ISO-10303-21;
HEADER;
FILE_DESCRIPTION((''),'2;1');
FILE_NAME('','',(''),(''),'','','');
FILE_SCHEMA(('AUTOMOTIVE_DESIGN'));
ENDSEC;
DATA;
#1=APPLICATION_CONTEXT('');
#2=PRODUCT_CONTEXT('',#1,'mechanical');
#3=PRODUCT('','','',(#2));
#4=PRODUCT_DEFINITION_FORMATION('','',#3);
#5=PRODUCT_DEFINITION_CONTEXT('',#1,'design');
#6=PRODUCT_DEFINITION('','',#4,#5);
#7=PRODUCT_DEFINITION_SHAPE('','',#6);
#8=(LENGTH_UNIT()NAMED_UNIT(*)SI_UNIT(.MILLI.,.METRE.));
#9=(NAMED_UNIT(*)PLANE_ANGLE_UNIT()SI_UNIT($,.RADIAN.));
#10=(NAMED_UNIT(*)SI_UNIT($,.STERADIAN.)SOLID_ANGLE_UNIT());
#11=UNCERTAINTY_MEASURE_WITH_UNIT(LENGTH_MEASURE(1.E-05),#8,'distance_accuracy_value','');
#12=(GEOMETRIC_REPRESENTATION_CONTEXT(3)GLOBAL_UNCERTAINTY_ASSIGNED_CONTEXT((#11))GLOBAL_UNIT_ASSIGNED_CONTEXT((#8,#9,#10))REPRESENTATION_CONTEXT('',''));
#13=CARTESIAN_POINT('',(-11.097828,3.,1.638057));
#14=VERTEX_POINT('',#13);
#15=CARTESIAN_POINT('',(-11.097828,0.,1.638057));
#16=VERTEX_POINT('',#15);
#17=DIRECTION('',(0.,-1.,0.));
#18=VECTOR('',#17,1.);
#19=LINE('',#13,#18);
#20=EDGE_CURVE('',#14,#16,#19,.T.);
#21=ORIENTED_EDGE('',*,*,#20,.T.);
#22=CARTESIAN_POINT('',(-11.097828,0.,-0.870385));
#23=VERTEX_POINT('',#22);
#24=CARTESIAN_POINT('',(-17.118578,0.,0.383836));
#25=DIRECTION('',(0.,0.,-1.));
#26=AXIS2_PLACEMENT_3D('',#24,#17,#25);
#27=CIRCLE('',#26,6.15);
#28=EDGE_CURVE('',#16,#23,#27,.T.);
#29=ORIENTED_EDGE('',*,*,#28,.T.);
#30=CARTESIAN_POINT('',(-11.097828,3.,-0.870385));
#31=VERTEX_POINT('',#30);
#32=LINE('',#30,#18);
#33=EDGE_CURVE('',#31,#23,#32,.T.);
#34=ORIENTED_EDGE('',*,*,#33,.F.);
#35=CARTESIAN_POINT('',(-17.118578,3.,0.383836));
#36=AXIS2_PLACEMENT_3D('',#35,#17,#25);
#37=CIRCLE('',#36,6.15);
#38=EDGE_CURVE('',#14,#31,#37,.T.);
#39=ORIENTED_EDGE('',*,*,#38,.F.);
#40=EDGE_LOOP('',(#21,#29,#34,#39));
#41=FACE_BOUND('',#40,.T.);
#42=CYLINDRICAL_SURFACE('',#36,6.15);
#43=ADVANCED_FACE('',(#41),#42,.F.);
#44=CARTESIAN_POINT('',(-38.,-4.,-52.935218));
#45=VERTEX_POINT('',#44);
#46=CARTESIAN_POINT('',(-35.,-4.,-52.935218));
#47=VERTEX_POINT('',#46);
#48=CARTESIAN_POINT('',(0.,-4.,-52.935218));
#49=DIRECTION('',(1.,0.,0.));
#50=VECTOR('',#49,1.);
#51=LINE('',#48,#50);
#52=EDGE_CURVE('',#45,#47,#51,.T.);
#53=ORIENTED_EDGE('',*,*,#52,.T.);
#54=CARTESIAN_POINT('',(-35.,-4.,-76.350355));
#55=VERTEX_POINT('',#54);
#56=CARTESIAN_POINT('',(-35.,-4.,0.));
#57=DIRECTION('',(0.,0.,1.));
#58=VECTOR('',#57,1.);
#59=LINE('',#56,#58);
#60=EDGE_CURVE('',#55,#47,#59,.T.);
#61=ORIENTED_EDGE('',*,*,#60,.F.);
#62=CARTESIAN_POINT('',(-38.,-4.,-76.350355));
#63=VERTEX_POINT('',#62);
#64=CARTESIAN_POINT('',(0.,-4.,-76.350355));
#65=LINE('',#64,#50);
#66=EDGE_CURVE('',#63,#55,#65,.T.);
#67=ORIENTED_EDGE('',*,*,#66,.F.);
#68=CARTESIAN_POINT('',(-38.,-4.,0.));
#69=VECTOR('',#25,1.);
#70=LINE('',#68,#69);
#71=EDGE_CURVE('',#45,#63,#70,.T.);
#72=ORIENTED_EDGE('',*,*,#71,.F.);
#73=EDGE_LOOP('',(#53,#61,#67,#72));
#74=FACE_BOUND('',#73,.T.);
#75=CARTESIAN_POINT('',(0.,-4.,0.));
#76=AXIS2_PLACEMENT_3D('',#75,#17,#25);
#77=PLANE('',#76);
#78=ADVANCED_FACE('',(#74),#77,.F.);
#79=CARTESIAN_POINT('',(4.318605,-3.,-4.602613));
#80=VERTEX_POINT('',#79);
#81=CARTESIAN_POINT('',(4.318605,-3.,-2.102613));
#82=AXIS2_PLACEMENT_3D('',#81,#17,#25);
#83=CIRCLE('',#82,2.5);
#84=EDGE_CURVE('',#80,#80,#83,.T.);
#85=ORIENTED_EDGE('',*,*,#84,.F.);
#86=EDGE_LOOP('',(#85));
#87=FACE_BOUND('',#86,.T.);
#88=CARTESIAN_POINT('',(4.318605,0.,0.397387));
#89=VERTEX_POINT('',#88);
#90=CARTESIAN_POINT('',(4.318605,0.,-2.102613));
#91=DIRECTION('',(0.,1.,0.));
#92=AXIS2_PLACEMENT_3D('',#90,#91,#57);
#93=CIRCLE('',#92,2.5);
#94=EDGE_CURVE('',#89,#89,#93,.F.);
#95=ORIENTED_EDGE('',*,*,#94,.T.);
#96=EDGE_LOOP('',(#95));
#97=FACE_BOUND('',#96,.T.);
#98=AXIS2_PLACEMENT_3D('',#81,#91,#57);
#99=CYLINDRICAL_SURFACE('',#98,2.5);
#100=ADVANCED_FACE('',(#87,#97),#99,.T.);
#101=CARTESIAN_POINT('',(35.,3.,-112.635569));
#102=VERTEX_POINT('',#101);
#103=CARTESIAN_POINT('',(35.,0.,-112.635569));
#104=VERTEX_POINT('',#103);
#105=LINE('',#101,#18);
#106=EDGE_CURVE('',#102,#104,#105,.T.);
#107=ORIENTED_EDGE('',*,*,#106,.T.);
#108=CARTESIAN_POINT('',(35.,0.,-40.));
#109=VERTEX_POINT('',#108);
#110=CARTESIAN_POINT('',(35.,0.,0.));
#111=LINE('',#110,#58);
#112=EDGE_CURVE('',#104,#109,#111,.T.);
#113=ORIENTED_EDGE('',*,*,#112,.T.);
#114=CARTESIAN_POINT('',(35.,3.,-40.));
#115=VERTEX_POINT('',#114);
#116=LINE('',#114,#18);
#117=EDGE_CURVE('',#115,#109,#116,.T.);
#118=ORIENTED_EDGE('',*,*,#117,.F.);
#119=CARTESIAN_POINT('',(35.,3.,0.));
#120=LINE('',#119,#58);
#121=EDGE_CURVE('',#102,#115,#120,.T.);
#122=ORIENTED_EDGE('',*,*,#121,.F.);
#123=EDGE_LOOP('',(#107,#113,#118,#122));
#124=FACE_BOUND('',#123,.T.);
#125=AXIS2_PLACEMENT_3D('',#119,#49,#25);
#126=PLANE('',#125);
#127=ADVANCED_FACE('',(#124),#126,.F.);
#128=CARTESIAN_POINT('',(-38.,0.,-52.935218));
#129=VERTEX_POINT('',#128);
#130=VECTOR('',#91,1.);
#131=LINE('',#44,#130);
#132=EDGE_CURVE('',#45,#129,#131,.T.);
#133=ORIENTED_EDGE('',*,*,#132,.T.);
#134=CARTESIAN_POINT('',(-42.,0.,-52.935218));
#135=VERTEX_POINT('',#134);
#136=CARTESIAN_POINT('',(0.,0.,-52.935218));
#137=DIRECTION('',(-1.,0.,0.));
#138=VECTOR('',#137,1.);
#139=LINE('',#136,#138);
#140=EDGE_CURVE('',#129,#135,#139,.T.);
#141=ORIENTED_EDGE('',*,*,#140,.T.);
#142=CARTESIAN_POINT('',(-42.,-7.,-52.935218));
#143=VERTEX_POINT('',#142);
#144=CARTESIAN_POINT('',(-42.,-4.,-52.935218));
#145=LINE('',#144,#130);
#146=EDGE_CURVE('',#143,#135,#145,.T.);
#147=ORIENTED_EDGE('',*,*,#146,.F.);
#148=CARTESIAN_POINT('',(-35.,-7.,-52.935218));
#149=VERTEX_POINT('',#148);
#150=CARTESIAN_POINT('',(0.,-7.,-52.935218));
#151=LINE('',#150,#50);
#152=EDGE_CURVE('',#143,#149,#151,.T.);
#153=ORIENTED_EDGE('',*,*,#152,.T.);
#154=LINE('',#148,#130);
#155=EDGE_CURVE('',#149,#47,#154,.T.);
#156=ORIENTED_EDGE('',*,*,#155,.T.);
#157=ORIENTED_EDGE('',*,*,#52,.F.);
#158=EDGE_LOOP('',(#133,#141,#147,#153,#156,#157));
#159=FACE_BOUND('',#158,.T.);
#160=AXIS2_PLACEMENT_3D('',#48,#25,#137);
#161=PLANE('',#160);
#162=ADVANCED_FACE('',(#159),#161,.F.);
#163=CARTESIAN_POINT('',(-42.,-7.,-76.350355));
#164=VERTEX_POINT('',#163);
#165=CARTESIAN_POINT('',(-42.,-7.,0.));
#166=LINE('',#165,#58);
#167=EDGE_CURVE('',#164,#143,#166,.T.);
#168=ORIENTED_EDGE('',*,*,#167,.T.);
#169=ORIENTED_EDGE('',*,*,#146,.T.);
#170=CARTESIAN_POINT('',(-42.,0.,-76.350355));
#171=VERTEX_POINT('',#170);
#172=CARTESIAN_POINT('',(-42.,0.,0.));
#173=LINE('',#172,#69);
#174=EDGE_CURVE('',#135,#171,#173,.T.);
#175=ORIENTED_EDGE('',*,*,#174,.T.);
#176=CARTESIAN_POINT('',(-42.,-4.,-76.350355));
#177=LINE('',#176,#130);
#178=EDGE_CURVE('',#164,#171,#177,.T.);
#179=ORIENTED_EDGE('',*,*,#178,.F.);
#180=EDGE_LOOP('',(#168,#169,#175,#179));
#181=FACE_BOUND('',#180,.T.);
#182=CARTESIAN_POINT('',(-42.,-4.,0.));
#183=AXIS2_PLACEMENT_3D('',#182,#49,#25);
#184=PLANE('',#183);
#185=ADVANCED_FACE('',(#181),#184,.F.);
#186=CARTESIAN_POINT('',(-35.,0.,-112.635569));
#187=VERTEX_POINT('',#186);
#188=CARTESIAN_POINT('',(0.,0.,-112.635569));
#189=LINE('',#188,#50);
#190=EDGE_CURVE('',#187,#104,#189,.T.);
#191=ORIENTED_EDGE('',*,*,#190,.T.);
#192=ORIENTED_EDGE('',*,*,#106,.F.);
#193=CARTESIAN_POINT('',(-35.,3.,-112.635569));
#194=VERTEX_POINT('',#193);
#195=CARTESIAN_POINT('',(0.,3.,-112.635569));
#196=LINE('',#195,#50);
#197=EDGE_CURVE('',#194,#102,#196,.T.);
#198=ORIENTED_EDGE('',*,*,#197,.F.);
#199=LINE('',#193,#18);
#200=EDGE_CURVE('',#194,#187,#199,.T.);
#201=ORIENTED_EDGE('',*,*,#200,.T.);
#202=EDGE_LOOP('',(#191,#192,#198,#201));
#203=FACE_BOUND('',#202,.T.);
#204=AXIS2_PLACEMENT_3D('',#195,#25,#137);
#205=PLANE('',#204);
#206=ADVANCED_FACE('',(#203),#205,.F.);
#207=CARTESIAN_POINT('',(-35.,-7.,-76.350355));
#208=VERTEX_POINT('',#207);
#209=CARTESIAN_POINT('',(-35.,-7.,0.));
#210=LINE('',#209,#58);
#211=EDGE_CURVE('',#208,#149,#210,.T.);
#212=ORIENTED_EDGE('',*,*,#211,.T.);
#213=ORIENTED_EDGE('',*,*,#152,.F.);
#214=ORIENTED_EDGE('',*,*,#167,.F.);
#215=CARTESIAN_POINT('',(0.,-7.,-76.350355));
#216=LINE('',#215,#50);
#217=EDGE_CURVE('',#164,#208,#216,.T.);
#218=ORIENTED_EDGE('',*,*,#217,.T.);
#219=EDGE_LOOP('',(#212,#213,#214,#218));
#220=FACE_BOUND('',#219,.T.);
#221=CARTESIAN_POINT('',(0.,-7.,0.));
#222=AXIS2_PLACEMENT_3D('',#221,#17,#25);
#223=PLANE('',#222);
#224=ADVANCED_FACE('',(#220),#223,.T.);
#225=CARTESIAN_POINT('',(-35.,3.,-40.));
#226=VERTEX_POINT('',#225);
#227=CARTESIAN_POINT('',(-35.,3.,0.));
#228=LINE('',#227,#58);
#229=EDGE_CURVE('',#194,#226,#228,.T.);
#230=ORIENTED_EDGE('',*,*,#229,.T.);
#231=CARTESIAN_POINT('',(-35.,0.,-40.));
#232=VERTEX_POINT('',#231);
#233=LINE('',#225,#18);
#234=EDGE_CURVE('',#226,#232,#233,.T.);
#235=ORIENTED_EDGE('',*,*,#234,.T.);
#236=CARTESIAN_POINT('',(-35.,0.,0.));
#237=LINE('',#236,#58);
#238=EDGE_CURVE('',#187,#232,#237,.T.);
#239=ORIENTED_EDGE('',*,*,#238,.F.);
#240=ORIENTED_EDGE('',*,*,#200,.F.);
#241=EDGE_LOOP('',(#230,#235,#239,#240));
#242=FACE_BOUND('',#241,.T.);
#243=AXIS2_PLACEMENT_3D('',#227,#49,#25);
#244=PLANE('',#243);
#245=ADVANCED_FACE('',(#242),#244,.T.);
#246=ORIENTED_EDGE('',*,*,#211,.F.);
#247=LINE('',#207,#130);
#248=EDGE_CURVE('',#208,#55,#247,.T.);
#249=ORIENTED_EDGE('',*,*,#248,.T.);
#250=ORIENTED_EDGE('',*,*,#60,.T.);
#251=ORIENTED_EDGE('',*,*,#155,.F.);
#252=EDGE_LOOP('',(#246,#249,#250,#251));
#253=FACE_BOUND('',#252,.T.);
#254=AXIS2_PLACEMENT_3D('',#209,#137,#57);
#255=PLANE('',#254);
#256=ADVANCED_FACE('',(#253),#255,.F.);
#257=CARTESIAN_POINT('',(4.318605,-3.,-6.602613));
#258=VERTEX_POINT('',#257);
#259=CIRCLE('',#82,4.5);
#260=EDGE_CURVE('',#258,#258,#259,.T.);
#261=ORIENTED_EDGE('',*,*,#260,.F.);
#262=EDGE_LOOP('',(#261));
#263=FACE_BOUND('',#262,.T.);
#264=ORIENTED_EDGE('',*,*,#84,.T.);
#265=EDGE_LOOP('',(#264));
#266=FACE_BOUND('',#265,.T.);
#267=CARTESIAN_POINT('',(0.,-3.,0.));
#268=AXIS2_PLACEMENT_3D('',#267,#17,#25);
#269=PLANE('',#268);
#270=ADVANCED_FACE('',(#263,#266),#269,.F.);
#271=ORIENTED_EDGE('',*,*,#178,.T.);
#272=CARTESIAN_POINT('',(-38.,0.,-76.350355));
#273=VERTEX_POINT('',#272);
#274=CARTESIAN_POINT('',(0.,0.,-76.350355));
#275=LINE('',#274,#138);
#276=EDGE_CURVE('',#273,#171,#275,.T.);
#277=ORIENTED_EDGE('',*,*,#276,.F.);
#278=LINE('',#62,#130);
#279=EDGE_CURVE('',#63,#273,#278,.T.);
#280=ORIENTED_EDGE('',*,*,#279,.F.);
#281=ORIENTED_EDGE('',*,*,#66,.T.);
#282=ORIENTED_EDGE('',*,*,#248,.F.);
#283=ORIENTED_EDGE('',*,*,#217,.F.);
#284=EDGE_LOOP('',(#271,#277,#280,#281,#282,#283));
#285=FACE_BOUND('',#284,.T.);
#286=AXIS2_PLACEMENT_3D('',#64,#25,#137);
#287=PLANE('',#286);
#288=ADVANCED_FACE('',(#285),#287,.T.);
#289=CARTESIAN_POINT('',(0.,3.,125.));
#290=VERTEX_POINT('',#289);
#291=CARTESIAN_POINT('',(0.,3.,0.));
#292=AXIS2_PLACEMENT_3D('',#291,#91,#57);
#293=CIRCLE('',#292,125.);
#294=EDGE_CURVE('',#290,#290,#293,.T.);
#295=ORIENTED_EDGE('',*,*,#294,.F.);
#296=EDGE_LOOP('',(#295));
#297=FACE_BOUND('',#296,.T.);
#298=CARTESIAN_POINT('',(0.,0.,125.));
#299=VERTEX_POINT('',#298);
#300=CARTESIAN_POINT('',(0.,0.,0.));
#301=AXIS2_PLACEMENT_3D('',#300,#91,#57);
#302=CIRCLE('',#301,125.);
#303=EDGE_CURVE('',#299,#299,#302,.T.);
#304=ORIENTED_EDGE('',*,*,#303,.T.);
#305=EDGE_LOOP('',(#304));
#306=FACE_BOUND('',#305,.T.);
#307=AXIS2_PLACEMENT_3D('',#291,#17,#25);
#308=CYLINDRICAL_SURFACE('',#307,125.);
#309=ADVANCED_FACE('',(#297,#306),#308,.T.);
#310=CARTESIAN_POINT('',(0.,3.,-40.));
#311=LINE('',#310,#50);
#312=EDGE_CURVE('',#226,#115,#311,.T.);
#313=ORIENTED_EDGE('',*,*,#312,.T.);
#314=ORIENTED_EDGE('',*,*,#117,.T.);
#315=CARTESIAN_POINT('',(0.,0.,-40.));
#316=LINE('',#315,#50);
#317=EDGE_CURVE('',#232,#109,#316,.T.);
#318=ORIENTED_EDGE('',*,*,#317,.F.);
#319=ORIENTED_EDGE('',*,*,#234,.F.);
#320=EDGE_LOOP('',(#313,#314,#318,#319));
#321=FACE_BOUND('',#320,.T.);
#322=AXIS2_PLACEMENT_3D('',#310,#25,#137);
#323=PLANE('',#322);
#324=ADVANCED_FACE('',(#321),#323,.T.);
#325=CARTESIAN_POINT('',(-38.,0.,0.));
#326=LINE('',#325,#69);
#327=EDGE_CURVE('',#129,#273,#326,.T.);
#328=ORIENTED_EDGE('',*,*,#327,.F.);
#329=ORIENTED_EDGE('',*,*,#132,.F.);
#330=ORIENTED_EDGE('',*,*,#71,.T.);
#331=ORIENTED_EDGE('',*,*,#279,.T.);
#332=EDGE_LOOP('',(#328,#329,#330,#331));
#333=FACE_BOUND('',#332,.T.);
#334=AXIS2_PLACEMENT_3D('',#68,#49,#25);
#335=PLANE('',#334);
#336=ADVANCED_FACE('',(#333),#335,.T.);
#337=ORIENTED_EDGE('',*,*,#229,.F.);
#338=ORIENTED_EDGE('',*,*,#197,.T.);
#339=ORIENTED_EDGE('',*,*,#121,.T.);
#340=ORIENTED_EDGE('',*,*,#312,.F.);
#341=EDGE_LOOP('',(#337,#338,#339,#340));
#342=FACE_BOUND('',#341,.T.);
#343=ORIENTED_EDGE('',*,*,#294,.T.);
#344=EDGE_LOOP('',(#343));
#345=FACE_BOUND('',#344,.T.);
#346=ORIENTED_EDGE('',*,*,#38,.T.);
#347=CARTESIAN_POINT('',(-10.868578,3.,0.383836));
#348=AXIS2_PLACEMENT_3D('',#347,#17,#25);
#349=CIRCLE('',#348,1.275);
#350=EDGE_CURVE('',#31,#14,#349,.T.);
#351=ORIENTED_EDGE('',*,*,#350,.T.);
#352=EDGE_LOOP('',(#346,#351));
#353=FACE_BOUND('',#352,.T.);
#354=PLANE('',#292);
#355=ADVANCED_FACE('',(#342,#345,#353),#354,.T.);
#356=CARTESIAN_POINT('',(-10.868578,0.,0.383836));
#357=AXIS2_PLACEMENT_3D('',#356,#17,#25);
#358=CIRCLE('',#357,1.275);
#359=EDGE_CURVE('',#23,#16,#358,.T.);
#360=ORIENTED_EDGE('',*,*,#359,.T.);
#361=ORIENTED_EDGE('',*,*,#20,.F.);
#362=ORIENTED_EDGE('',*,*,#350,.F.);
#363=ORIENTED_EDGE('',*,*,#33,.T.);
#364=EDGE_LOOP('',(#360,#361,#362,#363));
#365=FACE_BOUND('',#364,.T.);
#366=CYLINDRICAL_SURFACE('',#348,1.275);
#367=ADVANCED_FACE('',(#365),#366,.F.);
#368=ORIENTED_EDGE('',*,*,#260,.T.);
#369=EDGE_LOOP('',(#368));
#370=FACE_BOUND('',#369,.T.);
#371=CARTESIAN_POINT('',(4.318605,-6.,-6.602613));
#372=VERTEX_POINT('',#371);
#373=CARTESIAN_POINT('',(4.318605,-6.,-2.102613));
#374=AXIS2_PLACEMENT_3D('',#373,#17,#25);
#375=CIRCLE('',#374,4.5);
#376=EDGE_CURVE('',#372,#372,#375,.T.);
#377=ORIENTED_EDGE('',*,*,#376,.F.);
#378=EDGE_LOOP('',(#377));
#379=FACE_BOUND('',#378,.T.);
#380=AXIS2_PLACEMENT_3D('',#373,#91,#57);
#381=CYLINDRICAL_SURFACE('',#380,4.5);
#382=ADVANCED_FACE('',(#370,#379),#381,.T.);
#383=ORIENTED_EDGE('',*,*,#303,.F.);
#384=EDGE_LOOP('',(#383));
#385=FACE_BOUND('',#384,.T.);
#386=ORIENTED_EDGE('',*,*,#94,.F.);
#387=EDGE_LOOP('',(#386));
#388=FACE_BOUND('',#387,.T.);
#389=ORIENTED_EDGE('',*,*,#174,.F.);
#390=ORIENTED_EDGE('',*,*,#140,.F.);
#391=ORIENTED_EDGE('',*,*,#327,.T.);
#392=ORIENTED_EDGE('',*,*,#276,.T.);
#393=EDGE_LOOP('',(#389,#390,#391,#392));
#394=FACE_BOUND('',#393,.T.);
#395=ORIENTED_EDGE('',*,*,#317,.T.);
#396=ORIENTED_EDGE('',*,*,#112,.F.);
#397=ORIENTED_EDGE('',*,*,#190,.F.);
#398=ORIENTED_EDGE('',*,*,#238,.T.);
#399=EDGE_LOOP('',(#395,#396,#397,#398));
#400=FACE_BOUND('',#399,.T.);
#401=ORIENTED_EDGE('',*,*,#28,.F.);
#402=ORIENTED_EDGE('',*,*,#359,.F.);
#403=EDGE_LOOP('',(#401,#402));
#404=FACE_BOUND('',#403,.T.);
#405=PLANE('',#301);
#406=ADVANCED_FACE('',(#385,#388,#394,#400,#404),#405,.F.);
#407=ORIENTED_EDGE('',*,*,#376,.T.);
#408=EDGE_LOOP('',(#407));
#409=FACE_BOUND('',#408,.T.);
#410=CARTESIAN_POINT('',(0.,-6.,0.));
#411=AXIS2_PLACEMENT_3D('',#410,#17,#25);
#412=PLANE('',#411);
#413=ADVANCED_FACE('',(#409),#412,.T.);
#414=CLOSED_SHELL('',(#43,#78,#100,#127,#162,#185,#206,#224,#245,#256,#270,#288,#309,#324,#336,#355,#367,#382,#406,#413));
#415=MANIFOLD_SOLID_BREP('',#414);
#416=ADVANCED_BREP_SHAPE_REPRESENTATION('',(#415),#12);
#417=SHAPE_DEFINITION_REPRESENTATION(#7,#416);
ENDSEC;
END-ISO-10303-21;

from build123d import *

# Parameters (mm, degrees)
IZIM1_R                     = 125
IZIM1_W                     = 70
IZIM1_H                     = 72.635569235
Y_KSEKLIK_EKSTR_ZYON1_DEPTH = 3
IZIM6_W                     = 4
IZIM6_H                     = 23.415137081
Y_KSEKLIK_EKSTR_ZYON3_DEPTH = 4
Y_KSEKLIK_EKSTR_ZYON4_START = 4
IZIM6_3_W                   = 7
IZIM6_3_H                   = 23.415137081
Y_KSEKLIK_EKSTR_ZYON4_DEPTH = 3
IZIM8_R                     = 2.5
Y_KSEKLIK_EKSTR_ZYON5_DEPTH = 3
Y_KSEKLIK_EKSTR_ZYON6_START = 3
IZIM8_4_R                   = 4.5
Y_KSEKLIK_EKSTR_ZYON6_DEPTH = 3
KES_EKSTR_ZYON1_DEPTH       = 4


with BuildPart() as part:
    # Çizim1 → Yükseklik-Ekstrüzyon1 (new body)
    with BuildSketch(Plane(origin=(0, 0, 0), x_dir=(1, 0, 0), z_dir=(0, 1, 0))):
        Circle(IZIM1_R)
        with Locations((0, 76.317784617)):
            Rectangle(IZIM1_W, IZIM1_H, mode=Mode.SUBTRACT)
    extrude(amount=Y_KSEKLIK_EKSTR_ZYON1_DEPTH)

    # Çizim6 → Yükseklik-Ekstrüzyon3 (add)
    with BuildSketch(Plane.XZ):
        with Locations((-40, -64.642786203)):
            Rectangle(IZIM6_W, IZIM6_H)
    extrude(amount=Y_KSEKLIK_EKSTR_ZYON3_DEPTH)

    # Çizim6<3> → Yükseklik-Ekstrüzyon4 (add)
    with BuildSketch(Plane.XZ.offset(Y_KSEKLIK_EKSTR_ZYON4_START)):
        with Locations((-38.5, -64.642786203)):
            Rectangle(IZIM6_3_W, IZIM6_3_H)
    extrude(amount=Y_KSEKLIK_EKSTR_ZYON4_DEPTH)

    # Çizim8 → Yükseklik-Ekstrüzyon5 (add)
    with BuildSketch(Plane.XZ):
        with Locations((4.318604625, -2.102613205)):
            Circle(IZIM8_R)
    extrude(amount=Y_KSEKLIK_EKSTR_ZYON5_DEPTH)

    # Çizim8<4> → Yükseklik-Ekstrüzyon6 (add)
    with BuildSketch(Plane.XZ.offset(Y_KSEKLIK_EKSTR_ZYON6_START)):
        with Locations((4.318604625, -2.102613205)):
            Circle(IZIM8_4_R)
    extrude(amount=Y_KSEKLIK_EKSTR_ZYON6_DEPTH)

    # Çizim10 → Kes-Ekstrüzyon1 (cut, through all)
    with BuildSketch(Plane.XZ):
        with BuildLine():
            ThreePointArc((-11.097827728, 1.63805679), (-23.268577728, 0.38383614), (-11.097827728, -0.870384509))
            ThreePointArc((-11.097827728, -0.870384509), (-9.593577728, 0.38383614), (-11.097827728, 1.63805679))
        make_face()
    extrude(amount=-KES_EKSTR_ZYON1_DEPTH, mode=Mode.SUBTRACT)


solid = part.part
